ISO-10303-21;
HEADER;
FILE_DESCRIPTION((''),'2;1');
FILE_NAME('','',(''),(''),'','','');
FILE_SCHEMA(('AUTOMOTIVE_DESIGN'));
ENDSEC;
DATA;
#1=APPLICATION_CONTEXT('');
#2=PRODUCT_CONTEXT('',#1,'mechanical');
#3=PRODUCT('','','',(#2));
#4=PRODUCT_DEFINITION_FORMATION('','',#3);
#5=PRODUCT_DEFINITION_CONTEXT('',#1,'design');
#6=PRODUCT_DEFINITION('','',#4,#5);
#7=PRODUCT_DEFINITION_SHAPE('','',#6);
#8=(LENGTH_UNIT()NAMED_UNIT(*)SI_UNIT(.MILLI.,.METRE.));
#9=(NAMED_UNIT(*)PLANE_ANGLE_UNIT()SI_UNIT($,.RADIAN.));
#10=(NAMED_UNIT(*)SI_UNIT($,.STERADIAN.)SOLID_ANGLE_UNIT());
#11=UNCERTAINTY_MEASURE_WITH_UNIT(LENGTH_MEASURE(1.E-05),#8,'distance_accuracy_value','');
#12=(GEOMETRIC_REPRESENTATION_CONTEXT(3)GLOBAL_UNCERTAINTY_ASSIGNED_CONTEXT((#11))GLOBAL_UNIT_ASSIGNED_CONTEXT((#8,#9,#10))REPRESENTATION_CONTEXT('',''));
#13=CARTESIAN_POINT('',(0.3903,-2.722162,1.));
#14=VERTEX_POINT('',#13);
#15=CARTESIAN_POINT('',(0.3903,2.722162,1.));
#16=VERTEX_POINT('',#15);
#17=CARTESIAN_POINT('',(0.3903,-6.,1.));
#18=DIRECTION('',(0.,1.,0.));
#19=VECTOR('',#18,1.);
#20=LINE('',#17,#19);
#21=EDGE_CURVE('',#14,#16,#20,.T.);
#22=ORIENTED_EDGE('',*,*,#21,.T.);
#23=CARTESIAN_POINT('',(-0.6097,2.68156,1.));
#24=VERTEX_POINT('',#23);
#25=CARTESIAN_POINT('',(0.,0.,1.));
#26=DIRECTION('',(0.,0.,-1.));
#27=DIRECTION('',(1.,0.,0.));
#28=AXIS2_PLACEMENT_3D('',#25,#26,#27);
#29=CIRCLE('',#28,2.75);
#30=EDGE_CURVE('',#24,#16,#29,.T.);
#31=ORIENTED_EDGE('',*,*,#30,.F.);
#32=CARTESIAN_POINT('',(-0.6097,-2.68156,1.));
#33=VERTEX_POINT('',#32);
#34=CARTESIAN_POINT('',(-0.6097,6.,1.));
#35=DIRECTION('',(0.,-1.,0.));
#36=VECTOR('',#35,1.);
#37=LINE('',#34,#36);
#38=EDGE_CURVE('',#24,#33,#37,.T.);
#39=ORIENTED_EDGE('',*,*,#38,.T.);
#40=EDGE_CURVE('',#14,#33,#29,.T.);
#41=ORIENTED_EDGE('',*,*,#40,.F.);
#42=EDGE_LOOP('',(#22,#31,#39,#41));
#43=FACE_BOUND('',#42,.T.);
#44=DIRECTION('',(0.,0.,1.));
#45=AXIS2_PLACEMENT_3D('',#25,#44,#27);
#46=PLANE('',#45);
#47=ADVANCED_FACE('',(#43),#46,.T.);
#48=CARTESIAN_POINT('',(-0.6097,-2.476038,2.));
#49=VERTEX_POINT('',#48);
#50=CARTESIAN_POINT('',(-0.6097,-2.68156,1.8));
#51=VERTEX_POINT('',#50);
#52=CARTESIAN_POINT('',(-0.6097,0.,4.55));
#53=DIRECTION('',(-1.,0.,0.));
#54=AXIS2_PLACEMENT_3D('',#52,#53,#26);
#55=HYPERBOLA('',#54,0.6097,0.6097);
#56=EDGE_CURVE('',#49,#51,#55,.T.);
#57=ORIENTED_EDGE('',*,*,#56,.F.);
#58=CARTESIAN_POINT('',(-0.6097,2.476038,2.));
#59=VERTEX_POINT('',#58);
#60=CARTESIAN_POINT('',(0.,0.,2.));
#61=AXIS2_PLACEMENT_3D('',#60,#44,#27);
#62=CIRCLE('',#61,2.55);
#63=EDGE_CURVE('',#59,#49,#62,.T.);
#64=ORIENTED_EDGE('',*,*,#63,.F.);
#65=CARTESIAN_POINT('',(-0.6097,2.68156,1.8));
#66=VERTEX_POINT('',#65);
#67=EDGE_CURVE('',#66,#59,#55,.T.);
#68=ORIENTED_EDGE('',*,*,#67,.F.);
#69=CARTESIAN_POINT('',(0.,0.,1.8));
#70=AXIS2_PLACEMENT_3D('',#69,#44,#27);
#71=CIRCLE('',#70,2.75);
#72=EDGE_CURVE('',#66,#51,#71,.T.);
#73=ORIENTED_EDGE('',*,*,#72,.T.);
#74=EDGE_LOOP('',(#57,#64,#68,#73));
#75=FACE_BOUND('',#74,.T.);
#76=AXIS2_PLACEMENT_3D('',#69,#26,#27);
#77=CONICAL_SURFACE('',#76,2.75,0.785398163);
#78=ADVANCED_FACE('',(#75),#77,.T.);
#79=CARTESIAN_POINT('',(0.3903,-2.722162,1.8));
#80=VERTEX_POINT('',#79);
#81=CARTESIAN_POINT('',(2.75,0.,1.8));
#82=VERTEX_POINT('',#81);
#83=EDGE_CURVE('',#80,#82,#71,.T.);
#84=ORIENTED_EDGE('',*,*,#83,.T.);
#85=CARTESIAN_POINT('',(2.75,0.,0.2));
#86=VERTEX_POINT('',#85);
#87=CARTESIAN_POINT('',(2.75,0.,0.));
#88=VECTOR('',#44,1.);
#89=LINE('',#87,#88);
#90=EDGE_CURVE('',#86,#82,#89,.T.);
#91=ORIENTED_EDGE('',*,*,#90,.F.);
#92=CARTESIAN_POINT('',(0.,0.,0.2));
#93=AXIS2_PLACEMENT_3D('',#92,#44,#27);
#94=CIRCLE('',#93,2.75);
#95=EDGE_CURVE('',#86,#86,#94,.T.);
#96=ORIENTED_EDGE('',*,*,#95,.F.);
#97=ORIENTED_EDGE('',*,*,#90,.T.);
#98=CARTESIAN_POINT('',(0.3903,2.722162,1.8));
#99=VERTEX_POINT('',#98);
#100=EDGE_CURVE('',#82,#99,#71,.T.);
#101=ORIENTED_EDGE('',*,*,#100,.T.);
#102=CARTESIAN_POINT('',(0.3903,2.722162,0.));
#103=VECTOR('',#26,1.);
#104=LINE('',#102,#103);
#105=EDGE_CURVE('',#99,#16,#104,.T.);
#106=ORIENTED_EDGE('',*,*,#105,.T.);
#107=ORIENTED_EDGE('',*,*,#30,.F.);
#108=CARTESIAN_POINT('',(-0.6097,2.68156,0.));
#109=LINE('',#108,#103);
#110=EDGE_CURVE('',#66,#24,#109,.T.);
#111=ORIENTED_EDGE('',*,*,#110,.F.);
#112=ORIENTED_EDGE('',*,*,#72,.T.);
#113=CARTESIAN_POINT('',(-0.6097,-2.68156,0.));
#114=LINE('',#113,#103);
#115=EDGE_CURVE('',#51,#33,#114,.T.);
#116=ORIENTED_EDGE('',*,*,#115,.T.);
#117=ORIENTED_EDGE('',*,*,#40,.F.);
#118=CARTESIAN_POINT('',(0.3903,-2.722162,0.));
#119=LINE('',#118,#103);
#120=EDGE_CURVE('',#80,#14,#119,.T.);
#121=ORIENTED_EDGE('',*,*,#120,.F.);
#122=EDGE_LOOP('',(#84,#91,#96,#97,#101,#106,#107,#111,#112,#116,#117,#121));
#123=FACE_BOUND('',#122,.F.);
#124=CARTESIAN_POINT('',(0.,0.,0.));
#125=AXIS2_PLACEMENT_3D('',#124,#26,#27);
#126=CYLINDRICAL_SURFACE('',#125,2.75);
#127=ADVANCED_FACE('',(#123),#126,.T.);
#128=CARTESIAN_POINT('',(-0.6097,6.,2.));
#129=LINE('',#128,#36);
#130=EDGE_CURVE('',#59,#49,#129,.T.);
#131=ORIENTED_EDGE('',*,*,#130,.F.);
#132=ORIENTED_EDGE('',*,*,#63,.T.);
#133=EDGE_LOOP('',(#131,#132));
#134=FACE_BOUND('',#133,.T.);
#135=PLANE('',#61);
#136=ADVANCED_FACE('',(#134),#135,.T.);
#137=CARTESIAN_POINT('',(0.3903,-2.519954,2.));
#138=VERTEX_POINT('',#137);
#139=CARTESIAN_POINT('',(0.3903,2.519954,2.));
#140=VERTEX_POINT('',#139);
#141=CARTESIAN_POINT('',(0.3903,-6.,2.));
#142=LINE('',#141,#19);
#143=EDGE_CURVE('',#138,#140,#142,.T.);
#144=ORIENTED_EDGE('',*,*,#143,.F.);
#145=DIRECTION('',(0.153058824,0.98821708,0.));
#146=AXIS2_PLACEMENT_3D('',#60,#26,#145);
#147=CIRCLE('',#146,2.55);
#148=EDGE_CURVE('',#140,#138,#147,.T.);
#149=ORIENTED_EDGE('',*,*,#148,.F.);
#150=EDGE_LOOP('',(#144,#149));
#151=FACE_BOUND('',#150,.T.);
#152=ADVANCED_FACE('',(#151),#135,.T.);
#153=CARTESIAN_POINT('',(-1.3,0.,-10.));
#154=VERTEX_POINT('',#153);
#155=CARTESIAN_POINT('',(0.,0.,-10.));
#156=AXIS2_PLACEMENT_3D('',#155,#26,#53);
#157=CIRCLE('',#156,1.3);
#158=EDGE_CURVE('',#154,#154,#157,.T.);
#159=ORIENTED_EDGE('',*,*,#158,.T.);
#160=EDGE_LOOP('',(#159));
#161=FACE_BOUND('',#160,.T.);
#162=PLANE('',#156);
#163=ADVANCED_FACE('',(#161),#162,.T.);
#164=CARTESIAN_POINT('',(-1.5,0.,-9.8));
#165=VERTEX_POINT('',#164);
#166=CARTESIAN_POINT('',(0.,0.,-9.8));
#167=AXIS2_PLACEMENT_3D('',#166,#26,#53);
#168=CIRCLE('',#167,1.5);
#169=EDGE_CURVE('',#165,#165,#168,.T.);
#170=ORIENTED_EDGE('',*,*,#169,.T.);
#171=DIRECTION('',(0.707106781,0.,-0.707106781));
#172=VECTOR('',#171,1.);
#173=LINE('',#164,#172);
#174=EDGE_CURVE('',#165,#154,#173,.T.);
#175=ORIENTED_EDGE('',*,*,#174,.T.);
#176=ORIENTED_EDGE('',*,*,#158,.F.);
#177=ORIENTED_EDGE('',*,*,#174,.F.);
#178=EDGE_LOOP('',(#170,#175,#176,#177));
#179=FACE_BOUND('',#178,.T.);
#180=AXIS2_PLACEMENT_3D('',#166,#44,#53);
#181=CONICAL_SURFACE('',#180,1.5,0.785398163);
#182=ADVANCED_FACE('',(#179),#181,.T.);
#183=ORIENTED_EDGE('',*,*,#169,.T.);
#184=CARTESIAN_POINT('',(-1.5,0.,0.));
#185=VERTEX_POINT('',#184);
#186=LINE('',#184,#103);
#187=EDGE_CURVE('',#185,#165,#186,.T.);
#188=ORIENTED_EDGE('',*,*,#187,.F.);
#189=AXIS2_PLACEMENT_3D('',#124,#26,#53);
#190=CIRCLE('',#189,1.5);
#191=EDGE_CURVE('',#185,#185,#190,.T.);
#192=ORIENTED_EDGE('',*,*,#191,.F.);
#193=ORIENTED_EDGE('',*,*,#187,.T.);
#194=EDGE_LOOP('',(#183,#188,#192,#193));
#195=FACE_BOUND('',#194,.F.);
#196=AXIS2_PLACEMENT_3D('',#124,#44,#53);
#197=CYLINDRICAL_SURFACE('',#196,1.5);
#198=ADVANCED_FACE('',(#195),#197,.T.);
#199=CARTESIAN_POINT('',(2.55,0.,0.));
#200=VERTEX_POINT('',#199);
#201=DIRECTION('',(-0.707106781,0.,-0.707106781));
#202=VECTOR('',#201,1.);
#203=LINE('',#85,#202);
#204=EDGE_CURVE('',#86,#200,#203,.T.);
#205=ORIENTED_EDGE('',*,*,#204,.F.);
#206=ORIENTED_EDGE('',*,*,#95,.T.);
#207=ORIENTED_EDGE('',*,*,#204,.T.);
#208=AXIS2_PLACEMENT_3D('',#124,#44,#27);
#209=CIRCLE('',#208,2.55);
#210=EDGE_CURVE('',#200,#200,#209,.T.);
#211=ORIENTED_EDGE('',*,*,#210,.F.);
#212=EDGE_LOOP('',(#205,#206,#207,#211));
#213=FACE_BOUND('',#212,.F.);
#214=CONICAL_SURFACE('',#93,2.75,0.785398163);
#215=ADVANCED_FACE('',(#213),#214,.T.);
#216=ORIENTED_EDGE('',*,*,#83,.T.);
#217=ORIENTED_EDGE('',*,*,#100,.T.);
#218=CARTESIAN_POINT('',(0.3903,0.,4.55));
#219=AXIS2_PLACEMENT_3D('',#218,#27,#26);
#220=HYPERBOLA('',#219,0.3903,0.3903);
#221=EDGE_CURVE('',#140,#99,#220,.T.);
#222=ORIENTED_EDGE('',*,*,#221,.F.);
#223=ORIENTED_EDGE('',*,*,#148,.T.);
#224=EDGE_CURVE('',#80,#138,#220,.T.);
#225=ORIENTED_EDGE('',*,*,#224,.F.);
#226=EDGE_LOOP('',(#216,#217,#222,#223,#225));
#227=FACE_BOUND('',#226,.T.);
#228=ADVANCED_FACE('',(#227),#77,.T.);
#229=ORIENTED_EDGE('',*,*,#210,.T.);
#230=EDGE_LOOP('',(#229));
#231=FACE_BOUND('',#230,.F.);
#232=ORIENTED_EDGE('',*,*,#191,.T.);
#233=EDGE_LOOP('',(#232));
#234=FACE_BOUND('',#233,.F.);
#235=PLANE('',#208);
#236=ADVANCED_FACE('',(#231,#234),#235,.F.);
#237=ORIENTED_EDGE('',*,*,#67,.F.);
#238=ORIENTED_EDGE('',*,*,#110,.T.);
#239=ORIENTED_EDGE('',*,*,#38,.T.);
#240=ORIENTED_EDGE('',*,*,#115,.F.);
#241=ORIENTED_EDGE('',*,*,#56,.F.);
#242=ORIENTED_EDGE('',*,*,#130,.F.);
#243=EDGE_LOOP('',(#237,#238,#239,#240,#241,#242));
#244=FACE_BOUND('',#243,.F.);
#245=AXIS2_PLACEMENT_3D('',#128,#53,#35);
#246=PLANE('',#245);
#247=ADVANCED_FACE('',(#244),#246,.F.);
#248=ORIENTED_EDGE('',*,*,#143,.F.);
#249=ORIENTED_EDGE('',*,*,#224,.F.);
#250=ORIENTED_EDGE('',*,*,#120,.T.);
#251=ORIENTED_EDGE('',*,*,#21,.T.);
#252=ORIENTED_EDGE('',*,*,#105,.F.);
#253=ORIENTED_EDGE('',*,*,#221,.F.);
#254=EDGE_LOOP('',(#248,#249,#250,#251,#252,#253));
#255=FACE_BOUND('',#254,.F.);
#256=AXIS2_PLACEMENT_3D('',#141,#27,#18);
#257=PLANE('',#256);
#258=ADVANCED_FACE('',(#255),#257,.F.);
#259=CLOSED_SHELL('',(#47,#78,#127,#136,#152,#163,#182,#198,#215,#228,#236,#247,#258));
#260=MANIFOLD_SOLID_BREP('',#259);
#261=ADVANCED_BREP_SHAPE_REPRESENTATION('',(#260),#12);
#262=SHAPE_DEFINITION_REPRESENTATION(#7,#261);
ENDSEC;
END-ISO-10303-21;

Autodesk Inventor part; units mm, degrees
ref_plane "YZ Plane" through (0, 0, 0) normal (1, 0, 0) x (0, 1, 0)
ref_plane "XZ Plane" through (0, 0, 0) normal (0, 1, 0) x (-1, 0, 0)
ref_plane "XY Plane" through (0, 0, 0) normal (0, 0, 1) x (1, 0, 0)
sketch "Náčrt1" plane through (0, 0, 0) normal (0, 0, 1) x (1, 0, 0)
  circle A0 centre (0, 0) radius 2.75
  dimension "d0" = 5.5
extrude "Vysunutí1" add sketch "Náčrt1" along normal blind 2
chamfer "Zkosení1" distance 0.2 angle 45 1 edges at (-2.75, 0, 2)
chamfer "Zkosení2" distance 0.2 angle 45 1 edges at (-2.75, 0, 0)
sketch "Náčrt2" plane through (0, 0, 2) normal (0, 0, 1) x (1, 0, 0)
  line L0 (-0.6097, -6) -> (0.3903, -6)
  line L1 (0.3903, -6) -> (0.3903, 6)
  line L2 (0.3903, 6) -> (-0.6097, 6)
  line L3 (-0.6097, 6) -> (-0.6097, -6)
  line L4 (-0.6097, -6) -> (0.3903, 6) construction
  line L5 (0.3903, -6) -> (-0.6097, 6) construction
  point P0 (0, 0)
  point P1 (-0.1097, 0)
  dimension "d9" = 1
extrude "Vysunutí2" cut sketch "Náčrt2" against normal blind 1
sketch "Náčrt3" plane through (0, 0, 0) normal (0, 0, -1) x (-1, 0, 0)
  circle A0 centre (0, 0) radius 1.5
  dimension "d12" = 3
extrude "Vysunutí3" add sketch "Náčrt3" along normal blind 10
chamfer "Zkosení3" distance 0.2 angle 45 1 edges at (1.5, 0, -10)
thread "Závit1" size "M3x0.5" class "6g" standard "ANSI Metric M Profile" full length
properties part number "Bolt-M3x10" material "Ocel, vysokopevnostní, nízkolegovaná"
